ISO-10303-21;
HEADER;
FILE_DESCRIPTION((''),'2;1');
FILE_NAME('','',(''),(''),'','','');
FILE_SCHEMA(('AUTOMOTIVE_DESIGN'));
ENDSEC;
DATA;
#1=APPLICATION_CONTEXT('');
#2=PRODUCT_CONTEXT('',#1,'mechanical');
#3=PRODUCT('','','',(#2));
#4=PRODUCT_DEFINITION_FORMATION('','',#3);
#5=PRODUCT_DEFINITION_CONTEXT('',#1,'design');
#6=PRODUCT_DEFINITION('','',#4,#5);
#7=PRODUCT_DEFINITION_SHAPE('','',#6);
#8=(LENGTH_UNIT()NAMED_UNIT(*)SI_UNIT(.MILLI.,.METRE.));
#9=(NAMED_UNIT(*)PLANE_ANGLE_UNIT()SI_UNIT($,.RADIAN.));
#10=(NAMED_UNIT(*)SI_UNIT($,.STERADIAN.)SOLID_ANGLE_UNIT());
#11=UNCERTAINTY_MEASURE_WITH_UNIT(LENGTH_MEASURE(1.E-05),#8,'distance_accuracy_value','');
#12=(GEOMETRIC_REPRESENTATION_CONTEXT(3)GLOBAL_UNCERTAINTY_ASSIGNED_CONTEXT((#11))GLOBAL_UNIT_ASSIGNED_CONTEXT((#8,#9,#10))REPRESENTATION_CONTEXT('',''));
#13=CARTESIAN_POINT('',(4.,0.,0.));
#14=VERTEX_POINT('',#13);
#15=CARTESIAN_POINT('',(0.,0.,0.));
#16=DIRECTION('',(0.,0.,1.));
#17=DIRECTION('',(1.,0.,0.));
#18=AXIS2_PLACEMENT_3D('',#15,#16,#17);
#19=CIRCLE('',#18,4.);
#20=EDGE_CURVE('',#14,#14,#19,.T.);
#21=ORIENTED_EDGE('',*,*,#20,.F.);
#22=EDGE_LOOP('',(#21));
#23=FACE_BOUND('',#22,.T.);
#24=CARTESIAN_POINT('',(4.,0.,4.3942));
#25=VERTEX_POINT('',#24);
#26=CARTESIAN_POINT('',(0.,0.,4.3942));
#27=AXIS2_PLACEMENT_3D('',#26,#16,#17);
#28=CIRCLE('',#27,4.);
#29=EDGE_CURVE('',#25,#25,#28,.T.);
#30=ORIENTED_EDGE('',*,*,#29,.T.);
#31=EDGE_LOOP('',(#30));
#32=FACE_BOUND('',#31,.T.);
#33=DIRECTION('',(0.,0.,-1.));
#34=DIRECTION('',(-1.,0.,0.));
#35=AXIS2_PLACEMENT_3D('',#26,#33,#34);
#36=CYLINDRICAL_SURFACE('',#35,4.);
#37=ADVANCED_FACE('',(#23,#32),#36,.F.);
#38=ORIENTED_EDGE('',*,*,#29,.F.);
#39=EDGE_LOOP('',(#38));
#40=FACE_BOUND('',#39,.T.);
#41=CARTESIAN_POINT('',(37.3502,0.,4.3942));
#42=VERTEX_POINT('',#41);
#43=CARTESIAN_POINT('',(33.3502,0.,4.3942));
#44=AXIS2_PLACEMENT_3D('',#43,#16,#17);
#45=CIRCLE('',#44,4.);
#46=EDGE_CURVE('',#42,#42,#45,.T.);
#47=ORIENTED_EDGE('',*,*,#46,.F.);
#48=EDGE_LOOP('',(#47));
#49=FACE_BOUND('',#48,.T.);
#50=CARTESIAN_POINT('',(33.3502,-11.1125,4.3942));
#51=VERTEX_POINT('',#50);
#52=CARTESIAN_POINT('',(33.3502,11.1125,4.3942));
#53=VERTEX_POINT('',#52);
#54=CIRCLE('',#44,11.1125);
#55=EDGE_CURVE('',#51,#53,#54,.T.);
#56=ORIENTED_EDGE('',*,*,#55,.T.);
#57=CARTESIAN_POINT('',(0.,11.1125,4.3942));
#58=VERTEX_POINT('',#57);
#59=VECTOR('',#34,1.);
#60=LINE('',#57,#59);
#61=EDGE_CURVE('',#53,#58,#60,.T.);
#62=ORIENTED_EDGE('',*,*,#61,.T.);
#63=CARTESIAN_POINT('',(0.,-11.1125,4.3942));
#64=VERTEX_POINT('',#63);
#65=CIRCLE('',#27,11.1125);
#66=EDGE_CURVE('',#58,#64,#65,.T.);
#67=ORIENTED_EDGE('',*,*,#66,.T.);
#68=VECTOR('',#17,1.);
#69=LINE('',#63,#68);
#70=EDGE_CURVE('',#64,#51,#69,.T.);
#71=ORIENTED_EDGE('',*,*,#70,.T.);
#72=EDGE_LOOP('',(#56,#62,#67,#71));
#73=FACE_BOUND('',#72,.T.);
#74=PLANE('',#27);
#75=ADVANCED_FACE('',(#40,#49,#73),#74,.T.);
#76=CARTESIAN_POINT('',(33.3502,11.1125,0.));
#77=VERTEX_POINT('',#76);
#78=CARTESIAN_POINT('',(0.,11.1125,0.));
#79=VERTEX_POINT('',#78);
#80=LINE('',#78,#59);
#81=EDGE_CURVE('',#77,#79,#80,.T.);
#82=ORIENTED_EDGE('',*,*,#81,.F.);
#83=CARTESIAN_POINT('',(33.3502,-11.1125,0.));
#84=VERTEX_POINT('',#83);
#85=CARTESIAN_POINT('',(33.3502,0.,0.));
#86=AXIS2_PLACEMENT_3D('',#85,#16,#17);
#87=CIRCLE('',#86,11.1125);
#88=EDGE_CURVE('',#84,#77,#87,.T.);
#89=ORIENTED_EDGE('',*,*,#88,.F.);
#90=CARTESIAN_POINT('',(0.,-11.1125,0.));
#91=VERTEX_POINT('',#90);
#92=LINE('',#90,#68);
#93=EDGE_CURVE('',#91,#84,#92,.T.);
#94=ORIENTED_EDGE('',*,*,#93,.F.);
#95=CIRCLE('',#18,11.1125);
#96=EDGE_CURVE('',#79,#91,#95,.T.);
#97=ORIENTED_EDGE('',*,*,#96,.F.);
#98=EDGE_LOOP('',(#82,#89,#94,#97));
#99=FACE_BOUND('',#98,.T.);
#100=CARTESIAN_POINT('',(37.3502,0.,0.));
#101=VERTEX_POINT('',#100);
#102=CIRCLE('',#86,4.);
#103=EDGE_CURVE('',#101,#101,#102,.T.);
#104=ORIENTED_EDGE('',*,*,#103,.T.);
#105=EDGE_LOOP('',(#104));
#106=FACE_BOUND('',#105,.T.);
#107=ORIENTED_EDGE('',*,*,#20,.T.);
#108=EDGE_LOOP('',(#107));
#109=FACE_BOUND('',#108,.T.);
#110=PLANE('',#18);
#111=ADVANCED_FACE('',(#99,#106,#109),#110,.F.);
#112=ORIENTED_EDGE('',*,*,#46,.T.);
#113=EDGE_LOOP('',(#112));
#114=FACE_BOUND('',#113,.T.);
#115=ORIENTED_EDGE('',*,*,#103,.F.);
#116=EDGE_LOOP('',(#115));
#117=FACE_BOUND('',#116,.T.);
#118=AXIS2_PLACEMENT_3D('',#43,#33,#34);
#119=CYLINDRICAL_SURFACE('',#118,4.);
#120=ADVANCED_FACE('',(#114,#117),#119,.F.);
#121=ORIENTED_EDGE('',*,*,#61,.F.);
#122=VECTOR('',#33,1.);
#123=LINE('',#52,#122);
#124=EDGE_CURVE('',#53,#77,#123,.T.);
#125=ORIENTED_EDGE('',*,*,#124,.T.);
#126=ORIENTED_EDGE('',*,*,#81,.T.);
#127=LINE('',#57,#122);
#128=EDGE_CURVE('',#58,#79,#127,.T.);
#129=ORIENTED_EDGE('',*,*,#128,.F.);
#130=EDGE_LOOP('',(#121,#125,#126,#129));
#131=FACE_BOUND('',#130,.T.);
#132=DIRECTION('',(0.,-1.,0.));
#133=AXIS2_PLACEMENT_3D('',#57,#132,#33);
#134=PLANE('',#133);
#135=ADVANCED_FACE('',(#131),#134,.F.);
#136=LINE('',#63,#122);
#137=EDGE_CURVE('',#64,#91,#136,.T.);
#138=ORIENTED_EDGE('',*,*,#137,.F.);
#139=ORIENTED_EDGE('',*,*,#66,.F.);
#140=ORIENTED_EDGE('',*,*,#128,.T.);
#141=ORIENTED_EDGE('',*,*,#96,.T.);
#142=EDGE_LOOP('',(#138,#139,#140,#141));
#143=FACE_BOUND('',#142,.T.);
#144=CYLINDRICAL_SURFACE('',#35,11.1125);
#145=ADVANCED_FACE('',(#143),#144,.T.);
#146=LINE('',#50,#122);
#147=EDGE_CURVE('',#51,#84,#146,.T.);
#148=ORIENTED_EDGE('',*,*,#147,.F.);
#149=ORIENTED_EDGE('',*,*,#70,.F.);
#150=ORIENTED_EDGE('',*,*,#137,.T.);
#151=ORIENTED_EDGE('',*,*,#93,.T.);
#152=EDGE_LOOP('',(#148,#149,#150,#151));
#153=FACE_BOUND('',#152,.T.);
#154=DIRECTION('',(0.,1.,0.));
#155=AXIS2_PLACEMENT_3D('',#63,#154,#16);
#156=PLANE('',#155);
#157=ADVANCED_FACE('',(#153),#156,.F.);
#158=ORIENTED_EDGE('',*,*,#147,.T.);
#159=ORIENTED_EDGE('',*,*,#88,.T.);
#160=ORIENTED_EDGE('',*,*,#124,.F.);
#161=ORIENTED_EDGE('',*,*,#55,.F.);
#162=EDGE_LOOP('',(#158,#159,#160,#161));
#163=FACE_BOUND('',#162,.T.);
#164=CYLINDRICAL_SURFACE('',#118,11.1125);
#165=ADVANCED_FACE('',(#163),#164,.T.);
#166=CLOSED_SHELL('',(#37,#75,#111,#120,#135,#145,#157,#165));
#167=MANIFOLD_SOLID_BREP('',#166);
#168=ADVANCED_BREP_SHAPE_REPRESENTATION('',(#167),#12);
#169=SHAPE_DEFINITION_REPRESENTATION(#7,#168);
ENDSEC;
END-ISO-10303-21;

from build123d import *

# Parameters (mm, degrees)
SKETCH1_R           = 4
BOSS_EXTRUDE1_DEPTH = 4.3942


with BuildPart() as part:
    # Sketch1 → Boss-Extrude1 (new body)
    with BuildSketch(Plane.XY):
        with BuildLine():
            Line((0, 11.1125), (33.3502, 11.1125))
            ThreePointArc((33.3502, 11.1125), (44.4627, 0), (33.3502, -11.1125))
            Line((33.3502, -11.1125), (0, -11.1125))
            ThreePointArc((0, -11.1125), (-11.1125, 0), (0, 11.1125))
        make_face()
        Circle(SKETCH1_R, mode=Mode.SUBTRACT)
        with Locations((33.3502, 0)):
            Circle(SKETCH1_R, mode=Mode.SUBTRACT)
    extrude(amount=BOSS_EXTRUDE1_DEPTH)


solid = part.part
